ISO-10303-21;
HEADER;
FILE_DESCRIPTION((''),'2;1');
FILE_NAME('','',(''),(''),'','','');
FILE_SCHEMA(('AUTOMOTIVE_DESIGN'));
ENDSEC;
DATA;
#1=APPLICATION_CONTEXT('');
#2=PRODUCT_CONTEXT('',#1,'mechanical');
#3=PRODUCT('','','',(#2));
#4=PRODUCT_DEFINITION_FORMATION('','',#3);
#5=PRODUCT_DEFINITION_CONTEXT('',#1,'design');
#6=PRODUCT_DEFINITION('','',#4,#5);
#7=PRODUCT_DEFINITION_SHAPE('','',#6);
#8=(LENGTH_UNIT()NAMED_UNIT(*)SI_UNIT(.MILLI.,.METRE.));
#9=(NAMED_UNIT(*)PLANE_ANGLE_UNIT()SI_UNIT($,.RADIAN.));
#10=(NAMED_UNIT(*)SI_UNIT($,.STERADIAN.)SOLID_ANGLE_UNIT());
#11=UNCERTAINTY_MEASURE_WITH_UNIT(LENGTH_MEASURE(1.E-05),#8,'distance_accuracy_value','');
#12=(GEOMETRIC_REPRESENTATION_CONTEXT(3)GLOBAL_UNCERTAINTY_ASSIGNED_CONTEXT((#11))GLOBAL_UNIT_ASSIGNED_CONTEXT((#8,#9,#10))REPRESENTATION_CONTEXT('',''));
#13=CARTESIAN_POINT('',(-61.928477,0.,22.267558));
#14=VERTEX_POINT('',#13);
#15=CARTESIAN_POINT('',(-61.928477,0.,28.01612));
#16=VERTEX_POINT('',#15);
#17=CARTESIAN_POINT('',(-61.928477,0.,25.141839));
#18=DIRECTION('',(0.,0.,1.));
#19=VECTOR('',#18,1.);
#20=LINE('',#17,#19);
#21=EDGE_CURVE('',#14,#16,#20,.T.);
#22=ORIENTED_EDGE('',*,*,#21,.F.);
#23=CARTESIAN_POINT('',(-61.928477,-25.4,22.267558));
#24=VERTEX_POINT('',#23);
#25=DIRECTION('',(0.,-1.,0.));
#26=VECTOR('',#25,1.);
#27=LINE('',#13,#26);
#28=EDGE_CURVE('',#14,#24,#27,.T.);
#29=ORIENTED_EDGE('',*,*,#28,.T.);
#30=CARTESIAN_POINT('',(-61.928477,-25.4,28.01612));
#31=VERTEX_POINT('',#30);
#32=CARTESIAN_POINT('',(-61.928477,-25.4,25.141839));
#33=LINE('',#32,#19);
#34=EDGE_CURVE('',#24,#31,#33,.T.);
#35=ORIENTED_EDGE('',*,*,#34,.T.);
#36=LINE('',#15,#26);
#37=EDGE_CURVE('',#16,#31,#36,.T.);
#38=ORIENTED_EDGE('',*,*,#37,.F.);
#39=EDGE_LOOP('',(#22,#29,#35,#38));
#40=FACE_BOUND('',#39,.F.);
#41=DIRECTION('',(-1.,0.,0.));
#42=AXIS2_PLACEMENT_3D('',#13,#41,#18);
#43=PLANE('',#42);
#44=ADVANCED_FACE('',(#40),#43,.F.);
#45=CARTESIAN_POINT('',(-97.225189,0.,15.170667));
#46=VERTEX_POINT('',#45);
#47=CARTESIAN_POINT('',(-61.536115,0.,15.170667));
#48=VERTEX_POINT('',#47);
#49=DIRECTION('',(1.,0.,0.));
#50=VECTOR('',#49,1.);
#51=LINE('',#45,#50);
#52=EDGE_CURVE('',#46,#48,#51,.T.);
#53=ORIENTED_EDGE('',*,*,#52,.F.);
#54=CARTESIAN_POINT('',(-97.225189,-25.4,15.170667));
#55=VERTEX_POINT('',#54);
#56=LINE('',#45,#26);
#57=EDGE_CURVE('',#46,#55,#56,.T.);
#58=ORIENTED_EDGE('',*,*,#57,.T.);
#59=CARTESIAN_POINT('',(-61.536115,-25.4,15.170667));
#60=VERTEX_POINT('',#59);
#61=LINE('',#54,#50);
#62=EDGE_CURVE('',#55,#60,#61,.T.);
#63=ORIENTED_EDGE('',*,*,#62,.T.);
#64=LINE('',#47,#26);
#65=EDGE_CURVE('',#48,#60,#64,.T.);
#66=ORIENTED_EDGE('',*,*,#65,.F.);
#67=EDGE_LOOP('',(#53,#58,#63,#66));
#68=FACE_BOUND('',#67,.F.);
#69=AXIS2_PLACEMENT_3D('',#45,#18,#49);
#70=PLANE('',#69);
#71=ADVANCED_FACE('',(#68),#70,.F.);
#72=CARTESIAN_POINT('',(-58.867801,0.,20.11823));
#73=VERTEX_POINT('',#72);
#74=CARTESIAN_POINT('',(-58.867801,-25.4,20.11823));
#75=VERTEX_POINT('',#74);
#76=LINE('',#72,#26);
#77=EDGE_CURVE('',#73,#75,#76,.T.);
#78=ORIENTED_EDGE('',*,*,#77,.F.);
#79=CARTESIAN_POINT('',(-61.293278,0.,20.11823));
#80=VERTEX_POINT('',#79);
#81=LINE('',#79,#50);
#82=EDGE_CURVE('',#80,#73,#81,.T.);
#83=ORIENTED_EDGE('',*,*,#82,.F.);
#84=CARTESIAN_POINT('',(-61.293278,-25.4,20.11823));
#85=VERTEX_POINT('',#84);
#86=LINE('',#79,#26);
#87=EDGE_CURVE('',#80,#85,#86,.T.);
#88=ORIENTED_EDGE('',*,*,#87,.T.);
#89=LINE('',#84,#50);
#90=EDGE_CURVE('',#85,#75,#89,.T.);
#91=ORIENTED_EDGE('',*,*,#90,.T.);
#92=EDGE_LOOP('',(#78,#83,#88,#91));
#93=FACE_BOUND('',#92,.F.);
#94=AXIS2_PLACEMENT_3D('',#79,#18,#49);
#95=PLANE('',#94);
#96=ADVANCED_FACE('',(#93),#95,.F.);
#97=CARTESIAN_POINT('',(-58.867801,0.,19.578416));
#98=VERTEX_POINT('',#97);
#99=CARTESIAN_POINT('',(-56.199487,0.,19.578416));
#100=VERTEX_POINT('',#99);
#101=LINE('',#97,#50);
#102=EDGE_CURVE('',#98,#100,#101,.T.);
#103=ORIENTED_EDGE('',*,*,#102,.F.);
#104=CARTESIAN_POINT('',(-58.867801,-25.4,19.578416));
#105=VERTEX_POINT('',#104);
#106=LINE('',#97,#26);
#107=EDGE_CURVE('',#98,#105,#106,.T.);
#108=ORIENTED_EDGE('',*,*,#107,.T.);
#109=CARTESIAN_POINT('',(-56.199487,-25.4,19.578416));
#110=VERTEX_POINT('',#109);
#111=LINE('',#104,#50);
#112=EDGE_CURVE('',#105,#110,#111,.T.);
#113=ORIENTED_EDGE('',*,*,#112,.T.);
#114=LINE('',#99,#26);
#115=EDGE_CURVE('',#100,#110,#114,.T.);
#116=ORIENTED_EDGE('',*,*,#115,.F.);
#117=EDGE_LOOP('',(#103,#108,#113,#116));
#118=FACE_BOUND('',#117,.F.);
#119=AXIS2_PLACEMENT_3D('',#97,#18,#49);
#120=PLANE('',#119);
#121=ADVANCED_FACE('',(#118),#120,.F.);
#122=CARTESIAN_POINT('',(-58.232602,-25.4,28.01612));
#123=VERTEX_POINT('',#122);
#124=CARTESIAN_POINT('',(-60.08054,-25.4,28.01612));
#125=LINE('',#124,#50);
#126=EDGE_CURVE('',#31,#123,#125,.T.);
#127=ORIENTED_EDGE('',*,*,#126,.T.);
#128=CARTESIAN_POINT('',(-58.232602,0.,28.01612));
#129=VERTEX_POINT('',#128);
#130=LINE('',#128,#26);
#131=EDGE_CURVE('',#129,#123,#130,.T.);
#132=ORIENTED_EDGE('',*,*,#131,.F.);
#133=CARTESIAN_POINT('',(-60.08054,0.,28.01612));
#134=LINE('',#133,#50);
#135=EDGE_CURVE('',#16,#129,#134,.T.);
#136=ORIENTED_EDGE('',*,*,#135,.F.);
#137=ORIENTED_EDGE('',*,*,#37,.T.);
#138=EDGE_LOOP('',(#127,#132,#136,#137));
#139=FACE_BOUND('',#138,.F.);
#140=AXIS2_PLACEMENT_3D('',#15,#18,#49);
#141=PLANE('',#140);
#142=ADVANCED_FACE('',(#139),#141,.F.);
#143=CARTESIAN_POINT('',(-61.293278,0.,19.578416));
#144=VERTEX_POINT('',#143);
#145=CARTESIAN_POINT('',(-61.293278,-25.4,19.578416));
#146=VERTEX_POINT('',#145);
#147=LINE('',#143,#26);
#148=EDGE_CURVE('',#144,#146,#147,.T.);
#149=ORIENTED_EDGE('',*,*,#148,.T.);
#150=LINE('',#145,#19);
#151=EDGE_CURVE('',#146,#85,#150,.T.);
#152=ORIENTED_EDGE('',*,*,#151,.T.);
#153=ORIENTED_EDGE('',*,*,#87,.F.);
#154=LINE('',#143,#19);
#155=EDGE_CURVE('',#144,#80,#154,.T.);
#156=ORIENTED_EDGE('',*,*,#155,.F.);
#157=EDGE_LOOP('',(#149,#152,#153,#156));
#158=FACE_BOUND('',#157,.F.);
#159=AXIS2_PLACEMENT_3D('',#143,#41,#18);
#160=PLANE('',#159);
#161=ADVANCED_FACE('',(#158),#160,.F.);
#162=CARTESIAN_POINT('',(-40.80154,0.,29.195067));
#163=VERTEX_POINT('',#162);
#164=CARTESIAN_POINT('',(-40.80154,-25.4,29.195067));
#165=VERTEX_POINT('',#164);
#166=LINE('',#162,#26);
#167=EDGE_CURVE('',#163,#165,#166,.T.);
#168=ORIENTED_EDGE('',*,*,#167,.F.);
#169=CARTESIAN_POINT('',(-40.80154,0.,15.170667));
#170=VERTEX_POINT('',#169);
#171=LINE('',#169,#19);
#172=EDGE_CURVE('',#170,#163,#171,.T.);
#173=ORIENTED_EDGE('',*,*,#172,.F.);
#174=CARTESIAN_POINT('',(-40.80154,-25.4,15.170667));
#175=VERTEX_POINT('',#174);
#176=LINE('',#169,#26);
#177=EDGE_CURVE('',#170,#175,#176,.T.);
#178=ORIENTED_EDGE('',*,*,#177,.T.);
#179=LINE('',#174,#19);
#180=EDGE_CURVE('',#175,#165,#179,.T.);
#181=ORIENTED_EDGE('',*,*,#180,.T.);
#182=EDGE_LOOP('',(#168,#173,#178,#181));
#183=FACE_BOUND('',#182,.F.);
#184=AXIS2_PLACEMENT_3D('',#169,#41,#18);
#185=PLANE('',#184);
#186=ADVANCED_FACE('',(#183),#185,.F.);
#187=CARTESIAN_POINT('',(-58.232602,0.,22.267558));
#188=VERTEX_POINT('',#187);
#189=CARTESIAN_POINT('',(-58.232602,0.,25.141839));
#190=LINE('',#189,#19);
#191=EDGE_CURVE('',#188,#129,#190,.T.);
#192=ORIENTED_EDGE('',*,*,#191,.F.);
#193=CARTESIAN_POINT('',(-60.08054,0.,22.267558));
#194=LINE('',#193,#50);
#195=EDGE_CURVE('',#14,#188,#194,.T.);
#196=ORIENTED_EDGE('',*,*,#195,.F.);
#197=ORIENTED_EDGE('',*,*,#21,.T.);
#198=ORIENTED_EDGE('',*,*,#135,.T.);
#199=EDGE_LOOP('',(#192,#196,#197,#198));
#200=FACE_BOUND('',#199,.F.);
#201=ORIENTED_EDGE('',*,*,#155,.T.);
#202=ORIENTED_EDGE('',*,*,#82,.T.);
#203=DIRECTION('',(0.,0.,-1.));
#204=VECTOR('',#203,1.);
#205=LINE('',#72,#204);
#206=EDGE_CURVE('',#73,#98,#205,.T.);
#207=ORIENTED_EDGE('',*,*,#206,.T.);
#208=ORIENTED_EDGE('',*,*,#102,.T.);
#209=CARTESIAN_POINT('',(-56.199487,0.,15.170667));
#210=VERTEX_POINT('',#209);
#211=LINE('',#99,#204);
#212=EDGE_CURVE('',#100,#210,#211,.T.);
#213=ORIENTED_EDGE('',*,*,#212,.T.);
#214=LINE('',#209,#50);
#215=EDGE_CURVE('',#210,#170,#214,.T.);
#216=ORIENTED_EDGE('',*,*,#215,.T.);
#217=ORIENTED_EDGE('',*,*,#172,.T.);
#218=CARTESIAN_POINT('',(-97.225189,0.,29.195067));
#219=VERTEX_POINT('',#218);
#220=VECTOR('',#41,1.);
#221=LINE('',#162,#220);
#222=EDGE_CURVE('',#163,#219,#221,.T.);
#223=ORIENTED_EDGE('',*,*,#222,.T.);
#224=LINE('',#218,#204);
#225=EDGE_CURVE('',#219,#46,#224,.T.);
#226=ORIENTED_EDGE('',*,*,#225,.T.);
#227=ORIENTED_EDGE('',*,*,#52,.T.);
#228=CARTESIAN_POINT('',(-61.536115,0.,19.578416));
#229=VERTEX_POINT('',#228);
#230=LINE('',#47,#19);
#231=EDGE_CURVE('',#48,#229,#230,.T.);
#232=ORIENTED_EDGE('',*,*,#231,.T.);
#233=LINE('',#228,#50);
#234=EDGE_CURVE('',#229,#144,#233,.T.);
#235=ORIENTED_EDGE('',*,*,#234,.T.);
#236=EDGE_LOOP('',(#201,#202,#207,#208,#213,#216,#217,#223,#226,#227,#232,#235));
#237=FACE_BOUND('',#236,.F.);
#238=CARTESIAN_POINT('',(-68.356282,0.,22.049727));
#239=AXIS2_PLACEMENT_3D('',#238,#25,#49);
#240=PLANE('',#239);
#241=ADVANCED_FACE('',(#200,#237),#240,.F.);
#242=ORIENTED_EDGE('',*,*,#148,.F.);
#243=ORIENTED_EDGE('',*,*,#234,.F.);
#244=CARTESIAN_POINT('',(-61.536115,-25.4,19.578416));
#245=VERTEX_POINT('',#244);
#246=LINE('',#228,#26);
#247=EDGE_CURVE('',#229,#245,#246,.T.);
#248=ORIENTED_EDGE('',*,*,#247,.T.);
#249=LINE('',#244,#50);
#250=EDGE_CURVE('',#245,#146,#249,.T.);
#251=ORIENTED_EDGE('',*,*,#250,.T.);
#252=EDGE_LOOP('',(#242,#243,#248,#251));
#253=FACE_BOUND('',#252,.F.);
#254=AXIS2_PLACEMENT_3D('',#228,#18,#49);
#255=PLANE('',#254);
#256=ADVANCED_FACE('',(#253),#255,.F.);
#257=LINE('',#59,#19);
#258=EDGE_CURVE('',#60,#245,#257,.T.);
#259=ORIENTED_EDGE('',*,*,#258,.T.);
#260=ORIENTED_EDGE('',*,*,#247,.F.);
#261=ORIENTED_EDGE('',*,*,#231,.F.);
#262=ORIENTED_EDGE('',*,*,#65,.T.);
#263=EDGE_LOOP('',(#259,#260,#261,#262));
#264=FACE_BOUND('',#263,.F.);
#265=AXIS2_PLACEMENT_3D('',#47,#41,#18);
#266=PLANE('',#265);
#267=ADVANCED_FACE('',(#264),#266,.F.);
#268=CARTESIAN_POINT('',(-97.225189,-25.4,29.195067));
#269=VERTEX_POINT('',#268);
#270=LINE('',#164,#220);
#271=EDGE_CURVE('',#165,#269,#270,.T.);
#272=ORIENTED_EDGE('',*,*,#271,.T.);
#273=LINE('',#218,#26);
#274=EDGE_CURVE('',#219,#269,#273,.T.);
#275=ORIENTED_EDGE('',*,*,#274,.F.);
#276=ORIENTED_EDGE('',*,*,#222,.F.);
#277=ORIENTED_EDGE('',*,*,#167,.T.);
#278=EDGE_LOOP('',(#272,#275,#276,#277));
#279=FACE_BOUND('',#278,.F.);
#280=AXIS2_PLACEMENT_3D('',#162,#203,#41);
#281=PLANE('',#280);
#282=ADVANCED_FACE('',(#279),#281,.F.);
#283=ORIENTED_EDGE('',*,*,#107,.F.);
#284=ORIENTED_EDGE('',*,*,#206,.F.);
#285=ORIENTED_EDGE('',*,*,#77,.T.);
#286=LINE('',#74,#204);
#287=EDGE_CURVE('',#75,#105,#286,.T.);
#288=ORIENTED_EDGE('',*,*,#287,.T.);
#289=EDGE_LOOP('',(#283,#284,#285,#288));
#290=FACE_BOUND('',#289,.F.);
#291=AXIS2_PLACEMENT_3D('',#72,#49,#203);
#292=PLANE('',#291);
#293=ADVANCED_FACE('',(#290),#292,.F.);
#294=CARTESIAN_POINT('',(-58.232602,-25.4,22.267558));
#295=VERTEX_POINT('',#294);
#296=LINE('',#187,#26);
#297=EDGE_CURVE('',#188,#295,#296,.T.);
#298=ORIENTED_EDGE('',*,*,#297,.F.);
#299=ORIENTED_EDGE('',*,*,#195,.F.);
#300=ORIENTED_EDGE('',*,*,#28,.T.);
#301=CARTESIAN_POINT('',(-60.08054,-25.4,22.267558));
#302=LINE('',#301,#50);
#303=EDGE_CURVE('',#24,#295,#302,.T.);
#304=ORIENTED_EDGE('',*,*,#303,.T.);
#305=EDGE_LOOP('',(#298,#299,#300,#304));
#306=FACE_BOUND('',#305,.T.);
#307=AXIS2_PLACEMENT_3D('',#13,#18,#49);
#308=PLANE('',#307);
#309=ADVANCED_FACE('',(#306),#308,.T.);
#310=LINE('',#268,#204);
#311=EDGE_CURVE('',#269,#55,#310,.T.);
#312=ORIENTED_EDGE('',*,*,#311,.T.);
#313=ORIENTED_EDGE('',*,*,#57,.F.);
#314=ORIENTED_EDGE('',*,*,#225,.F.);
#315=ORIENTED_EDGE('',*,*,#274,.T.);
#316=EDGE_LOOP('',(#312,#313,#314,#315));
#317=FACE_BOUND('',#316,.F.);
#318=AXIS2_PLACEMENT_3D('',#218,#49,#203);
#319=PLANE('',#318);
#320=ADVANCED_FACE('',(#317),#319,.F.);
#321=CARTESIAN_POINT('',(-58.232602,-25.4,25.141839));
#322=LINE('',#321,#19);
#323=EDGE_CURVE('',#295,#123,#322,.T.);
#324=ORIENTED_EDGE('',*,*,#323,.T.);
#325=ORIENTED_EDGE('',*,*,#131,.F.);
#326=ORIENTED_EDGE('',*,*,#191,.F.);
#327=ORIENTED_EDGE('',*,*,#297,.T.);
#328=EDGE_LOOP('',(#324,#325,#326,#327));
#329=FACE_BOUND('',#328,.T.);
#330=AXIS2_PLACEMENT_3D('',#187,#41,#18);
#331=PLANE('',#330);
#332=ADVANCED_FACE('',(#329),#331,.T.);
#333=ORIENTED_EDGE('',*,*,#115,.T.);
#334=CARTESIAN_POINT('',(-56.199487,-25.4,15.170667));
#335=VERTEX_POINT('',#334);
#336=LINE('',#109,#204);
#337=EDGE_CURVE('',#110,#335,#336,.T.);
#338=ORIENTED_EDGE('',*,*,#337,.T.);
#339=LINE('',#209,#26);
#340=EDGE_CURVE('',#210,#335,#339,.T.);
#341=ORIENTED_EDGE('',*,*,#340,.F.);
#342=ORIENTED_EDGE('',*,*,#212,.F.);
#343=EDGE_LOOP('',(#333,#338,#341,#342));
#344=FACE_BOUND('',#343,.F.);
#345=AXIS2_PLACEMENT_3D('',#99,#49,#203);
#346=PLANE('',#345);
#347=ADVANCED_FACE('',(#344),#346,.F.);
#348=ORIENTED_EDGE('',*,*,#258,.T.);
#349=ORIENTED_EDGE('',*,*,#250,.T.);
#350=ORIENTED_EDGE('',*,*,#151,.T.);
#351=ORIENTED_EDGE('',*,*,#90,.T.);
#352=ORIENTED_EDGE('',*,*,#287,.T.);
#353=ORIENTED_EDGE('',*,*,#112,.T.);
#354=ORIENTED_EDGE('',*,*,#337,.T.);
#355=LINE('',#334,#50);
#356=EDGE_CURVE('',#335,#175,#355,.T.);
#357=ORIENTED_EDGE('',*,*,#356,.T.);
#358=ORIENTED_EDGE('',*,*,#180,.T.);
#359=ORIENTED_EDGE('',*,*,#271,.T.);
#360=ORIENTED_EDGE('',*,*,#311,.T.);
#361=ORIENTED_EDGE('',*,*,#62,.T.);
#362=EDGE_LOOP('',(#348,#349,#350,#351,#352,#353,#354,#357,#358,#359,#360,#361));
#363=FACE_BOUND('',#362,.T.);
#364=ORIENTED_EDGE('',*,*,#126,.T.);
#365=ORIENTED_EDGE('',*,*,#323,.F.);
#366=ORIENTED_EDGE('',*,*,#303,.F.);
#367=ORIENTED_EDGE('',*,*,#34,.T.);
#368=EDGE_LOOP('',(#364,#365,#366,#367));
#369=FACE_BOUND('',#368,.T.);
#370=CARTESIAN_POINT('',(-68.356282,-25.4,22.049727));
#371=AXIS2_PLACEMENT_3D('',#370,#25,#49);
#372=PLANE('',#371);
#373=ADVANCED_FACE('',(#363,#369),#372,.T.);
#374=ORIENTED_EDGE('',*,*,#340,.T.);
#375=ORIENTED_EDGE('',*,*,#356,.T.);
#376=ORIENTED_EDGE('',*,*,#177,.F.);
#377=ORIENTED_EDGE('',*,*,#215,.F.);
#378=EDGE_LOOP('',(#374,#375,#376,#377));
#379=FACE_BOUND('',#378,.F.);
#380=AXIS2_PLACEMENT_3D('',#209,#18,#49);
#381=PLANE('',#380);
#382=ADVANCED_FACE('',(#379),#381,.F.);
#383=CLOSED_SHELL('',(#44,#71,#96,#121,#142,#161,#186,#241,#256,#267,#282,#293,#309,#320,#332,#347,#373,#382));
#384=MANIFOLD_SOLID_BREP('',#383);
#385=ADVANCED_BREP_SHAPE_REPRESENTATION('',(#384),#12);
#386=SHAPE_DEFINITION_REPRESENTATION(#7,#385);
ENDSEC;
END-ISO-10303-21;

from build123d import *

# Parameters (mm, degrees)
F0_W     = 3.695875
F0_H     = 5.748562
F1_DEPTH = 25.4


with BuildPart() as f1:
    # F0 (on Front) → F1 (new body)
    with BuildSketch(Plane.XZ):
        Polygon((-40.80154, 15.170667), (-40.80154, 29.195067), (-97.225189, 29.195067), (-97.225189, 15.170667), (-61.536115, 15.170667), (-61.536115, 19.578416), (-61.293278, 19.578416), (-61.293278, 20.11823), (-58.867801, 20.11823), (-58.867801, 19.578416), (-56.199487, 19.578416), (-56.199487, 15.170667), align=None)
        with Locations((-60.08054, 25.141839)):
            Rectangle(F0_W, F0_H, mode=Mode.SUBTRACT)
    extrude(amount=F1_DEPTH)


solid = f1.part
